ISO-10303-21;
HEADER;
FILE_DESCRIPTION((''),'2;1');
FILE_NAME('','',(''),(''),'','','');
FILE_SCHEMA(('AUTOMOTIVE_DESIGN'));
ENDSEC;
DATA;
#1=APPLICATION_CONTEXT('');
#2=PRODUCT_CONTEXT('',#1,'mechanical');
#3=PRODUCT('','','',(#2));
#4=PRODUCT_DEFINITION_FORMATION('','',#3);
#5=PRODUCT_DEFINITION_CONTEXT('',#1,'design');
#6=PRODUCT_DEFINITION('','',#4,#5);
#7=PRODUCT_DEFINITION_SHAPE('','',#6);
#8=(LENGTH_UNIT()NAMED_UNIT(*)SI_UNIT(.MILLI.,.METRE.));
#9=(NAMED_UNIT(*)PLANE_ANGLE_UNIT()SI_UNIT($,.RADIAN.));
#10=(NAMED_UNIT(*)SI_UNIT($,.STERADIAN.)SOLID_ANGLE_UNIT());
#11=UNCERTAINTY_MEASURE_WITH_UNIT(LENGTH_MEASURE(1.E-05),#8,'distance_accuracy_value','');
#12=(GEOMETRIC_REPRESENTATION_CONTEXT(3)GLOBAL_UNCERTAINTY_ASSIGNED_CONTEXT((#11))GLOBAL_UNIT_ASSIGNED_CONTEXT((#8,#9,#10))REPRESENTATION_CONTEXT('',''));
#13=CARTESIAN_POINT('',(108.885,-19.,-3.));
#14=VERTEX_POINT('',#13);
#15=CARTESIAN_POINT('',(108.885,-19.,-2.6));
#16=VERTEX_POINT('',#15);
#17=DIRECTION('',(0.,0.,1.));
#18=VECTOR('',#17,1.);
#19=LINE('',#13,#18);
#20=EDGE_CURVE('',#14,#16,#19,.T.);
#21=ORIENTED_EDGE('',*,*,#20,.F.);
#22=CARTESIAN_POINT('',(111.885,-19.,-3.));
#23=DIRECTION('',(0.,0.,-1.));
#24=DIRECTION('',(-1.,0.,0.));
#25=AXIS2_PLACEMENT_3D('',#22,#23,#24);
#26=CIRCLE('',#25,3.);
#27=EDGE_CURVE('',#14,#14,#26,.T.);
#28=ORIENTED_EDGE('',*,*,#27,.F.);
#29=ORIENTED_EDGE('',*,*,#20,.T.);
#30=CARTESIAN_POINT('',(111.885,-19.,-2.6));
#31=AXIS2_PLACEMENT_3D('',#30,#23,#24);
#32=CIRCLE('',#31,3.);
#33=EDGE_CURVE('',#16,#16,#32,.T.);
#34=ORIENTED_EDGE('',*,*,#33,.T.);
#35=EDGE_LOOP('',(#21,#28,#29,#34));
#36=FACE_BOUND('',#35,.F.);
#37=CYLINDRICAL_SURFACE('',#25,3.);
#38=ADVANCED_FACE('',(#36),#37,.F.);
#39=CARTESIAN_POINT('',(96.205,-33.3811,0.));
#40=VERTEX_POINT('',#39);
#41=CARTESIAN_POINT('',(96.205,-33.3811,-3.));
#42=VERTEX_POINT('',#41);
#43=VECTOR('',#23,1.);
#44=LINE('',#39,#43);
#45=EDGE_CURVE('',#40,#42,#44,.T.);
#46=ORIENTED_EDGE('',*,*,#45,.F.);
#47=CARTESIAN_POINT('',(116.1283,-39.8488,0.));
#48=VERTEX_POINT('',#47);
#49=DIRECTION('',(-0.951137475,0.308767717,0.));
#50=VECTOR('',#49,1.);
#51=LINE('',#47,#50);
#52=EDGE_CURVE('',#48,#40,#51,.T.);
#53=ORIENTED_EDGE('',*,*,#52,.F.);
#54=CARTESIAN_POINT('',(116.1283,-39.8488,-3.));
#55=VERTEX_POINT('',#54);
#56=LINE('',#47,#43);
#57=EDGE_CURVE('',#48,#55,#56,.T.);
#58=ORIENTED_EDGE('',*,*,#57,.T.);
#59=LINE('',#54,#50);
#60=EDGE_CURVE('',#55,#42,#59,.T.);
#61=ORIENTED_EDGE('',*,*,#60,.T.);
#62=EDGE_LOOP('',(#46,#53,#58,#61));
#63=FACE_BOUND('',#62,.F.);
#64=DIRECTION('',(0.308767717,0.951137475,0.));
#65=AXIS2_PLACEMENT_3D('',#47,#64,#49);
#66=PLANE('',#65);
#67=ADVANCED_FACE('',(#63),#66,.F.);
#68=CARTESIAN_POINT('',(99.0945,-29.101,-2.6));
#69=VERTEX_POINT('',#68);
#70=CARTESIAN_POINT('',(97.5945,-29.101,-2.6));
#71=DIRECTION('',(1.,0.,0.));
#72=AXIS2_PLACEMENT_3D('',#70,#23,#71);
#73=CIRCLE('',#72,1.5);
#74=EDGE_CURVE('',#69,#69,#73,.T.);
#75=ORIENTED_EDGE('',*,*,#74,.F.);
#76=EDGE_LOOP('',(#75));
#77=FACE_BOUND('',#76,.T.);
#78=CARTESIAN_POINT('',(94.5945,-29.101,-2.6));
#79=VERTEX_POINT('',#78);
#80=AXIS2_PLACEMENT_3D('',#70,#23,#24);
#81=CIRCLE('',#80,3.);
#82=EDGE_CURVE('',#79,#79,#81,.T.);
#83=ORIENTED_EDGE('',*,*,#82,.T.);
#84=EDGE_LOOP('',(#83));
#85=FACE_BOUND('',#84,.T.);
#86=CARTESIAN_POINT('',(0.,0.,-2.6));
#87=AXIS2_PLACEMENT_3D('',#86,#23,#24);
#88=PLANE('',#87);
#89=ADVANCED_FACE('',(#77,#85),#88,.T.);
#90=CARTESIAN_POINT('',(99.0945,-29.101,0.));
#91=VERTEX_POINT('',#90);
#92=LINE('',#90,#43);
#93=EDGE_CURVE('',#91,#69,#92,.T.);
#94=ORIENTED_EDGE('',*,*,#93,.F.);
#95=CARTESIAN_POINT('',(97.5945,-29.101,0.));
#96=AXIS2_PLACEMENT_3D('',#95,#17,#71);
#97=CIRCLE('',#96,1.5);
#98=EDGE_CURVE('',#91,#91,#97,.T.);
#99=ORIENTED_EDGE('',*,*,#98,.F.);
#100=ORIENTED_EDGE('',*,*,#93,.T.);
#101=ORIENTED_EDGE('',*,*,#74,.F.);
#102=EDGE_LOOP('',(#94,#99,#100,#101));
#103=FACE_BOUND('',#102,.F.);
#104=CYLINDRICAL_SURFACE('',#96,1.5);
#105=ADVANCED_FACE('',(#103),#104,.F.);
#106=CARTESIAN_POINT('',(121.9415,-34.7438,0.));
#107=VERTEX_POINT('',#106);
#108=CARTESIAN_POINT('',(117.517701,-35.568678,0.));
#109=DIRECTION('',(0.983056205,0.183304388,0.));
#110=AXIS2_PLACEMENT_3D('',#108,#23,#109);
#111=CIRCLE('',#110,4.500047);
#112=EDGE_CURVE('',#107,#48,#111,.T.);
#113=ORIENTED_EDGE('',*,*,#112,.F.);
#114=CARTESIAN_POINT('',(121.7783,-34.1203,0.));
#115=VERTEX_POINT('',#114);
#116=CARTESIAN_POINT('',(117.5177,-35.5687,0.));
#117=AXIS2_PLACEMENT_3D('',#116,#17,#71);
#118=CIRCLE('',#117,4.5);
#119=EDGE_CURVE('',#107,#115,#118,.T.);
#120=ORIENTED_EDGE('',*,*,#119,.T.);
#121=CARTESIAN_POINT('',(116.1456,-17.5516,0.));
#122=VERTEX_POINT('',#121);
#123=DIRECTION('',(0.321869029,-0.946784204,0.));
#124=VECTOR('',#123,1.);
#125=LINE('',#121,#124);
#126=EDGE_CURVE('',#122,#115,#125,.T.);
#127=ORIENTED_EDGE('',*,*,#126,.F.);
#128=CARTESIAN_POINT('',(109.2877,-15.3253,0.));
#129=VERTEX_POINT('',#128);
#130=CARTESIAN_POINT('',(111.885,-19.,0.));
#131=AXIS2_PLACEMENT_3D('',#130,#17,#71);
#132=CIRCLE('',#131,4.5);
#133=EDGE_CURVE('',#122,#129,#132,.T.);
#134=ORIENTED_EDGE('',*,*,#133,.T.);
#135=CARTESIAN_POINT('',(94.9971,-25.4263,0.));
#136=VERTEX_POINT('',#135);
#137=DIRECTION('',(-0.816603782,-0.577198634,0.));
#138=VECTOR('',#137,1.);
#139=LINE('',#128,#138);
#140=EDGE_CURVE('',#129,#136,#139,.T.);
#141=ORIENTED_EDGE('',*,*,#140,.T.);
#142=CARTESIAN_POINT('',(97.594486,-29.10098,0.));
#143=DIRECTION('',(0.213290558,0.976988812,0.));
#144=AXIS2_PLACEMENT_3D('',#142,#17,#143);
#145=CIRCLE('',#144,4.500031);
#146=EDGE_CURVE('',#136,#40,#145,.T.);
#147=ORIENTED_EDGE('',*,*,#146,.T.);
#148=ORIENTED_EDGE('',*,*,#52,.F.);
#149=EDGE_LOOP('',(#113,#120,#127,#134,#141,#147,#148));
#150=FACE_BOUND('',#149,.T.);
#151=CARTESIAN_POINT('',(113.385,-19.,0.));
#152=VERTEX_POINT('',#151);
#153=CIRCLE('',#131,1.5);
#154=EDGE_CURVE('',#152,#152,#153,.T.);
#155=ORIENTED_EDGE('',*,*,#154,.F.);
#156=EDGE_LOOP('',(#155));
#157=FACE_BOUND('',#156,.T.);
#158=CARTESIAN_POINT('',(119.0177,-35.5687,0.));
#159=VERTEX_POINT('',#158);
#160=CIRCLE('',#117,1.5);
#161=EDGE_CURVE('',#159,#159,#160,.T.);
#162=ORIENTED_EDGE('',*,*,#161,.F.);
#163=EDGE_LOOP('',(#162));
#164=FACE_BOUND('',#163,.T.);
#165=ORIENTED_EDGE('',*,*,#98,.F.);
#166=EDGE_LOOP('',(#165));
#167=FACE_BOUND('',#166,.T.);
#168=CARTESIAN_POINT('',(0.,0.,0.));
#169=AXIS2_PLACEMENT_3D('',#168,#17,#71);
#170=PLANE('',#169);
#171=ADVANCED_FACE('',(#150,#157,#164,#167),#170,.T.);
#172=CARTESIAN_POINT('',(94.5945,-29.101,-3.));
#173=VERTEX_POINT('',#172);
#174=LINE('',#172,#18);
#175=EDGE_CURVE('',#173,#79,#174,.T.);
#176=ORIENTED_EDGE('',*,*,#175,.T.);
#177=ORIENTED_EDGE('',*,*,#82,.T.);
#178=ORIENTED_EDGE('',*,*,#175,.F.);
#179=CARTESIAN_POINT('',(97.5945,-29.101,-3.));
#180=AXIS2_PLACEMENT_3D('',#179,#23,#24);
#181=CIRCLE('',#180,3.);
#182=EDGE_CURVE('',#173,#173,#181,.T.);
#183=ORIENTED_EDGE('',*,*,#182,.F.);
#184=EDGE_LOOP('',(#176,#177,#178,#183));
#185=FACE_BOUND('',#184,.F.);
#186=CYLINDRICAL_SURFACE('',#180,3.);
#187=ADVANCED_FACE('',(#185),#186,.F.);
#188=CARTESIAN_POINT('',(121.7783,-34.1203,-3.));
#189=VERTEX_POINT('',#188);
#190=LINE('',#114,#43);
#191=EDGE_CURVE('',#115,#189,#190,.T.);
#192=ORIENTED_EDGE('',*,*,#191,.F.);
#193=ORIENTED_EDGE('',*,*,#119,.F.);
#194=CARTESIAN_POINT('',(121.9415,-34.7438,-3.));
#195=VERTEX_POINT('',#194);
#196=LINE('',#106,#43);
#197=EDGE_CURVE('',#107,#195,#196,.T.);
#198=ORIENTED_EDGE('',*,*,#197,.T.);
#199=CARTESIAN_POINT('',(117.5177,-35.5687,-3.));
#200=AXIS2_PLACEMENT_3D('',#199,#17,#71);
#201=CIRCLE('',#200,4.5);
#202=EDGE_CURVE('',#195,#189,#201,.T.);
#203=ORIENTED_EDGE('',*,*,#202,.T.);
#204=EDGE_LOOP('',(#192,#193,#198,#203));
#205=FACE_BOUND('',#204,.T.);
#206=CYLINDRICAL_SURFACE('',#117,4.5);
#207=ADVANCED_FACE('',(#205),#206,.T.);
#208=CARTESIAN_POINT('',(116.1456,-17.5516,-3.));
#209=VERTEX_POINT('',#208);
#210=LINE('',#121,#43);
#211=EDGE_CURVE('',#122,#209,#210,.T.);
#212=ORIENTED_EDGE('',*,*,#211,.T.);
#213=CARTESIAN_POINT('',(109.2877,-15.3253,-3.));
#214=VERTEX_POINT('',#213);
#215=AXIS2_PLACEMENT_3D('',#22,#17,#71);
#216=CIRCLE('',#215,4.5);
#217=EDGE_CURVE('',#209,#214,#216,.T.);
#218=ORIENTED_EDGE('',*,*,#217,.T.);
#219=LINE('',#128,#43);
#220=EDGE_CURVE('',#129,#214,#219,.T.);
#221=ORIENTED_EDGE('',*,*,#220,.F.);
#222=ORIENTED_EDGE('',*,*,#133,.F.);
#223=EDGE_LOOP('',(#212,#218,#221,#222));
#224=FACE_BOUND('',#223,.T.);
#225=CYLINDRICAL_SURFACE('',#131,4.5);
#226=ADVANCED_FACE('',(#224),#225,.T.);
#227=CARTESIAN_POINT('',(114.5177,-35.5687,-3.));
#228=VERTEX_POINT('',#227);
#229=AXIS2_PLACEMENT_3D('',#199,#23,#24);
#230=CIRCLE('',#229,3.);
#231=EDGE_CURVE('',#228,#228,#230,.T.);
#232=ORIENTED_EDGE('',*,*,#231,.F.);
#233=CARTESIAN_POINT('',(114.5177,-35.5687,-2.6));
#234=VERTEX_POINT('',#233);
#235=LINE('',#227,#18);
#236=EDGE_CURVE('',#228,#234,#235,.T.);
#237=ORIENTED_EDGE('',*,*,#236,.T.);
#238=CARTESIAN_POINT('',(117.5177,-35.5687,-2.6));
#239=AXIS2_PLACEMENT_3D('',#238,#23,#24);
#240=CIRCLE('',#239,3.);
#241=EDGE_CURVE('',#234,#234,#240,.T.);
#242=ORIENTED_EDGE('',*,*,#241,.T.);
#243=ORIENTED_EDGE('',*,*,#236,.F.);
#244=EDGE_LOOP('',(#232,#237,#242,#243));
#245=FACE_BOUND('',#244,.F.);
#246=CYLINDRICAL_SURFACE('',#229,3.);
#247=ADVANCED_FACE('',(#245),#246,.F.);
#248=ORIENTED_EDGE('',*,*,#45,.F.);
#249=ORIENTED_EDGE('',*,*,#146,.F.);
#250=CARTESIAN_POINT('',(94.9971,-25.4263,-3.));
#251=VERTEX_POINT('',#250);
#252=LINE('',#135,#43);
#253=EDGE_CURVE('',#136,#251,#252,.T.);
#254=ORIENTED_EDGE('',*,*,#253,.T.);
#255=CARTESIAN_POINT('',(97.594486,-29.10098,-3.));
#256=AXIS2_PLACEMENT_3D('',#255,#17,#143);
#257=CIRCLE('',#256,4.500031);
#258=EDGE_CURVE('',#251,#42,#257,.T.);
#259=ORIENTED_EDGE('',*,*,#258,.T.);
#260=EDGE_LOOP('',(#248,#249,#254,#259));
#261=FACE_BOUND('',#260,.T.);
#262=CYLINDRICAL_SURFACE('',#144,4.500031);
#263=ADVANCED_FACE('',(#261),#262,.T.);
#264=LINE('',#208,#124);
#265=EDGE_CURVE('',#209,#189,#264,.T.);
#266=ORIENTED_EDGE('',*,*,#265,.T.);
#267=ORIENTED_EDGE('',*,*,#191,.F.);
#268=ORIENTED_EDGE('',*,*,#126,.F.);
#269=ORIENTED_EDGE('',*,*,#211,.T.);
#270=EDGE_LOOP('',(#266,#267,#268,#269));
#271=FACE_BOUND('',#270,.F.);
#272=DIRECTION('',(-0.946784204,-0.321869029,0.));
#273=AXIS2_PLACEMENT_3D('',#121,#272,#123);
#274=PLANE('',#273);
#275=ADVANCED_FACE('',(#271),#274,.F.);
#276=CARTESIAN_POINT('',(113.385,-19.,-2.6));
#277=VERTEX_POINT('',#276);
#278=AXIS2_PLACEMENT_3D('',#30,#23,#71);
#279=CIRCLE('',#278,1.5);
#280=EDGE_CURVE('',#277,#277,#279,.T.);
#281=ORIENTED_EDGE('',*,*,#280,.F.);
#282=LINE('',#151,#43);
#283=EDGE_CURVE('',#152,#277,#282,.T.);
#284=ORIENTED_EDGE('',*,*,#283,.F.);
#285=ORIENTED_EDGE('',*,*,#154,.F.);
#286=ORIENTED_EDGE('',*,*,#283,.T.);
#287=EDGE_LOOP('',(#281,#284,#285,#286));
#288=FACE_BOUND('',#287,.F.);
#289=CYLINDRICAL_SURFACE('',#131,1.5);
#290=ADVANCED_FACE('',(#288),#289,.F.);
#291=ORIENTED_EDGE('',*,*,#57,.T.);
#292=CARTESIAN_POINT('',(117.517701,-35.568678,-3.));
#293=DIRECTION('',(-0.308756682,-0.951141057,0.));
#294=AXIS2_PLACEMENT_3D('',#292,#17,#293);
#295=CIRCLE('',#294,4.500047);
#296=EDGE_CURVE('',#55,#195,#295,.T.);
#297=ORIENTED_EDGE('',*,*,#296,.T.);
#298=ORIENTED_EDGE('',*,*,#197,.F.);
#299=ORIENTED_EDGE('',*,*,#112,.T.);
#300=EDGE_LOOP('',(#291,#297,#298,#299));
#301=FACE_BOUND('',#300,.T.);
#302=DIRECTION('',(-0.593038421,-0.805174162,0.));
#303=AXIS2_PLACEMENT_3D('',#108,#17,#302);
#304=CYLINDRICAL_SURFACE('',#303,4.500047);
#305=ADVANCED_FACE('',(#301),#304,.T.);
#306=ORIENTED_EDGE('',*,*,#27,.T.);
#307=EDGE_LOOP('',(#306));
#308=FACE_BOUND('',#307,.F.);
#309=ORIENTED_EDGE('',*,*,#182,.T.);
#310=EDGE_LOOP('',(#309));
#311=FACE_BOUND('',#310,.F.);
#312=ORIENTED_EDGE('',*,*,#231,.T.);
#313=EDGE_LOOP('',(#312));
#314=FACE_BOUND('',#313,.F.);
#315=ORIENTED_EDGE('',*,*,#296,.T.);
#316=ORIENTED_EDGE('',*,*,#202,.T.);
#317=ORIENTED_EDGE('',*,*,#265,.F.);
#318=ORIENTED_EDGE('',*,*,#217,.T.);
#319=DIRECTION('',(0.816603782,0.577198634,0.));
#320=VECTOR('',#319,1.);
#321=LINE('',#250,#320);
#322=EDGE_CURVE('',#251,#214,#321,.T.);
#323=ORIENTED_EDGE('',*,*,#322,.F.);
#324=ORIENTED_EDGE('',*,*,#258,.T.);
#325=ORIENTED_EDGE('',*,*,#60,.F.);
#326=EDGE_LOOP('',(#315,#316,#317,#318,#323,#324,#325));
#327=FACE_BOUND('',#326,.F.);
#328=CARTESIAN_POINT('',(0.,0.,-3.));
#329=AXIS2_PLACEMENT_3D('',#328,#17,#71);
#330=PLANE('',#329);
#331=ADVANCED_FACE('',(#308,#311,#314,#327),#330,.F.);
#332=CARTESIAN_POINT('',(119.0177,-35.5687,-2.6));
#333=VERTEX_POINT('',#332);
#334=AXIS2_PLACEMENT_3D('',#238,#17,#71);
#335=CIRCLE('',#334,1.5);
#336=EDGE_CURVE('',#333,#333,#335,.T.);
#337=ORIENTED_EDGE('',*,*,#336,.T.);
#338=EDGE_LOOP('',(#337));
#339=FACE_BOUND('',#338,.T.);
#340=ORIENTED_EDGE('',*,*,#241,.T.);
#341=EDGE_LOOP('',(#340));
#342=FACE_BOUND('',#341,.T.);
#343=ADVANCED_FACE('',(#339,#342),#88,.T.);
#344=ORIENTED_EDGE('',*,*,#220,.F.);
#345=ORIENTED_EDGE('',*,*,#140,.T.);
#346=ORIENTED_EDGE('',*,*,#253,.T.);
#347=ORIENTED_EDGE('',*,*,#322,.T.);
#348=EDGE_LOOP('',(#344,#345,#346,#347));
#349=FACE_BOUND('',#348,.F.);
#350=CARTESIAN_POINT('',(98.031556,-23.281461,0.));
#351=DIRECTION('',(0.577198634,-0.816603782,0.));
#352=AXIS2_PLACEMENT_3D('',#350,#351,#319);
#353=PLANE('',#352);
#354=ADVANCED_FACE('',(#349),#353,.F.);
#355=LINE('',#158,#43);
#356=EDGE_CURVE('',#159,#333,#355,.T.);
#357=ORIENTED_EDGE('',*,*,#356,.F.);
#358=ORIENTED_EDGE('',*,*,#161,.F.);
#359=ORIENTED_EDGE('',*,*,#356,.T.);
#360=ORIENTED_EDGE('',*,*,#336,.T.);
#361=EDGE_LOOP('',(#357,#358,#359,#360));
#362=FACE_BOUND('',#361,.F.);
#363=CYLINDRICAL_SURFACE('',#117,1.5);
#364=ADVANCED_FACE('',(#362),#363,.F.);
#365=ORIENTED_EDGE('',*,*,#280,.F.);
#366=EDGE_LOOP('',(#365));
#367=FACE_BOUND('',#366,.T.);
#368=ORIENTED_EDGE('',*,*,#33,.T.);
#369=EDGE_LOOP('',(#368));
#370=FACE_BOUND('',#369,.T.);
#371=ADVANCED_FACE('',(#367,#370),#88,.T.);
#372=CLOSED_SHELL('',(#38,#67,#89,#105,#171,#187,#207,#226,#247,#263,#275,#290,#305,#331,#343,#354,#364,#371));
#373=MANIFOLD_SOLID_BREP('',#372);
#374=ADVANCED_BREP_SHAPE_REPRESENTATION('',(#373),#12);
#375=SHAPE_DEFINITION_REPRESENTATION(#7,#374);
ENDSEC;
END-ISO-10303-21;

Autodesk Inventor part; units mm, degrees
ref_plane "YZ Plane" through (0, 0, 0) normal (1, 0, 0) x (0, 1, 0)
ref_plane "XZ Plane" through (0, 0, 0) normal (0, 1, 0) x (-1, 0, 0)
ref_plane "XY Plane" through (0, 0, 0) normal (0, 0, 1) x (1, 0, 0)
sketch "スケッチ1" plane through (0, 0, 0) normal (0, 0, 1) x (1, 0, 0)
  circle A0 centre (117.5177, -35.5687) radius 1.5
  circle A1 centre (95.4507, -12.9865) radius 1.5
  circle A2 centre (97.5945, -29.101) radius 1.5
  circle A3 centre (111.885, -19) radius 1.5
  line L0 (116.6369, -13.86) -> (104.8897, -3)
  line L1 (104.8897, -3) -> (101.885, -3)
  arc A4 (99.885, -3) -> (101.885, -3) centre (100.885, -3) ccw
  line L2 (99.885, -3) -> (99.885, 0)
  line L3 (99.885, 0) -> (84.885, 0)
  line L4 (84.885, 0) -> (84.885, -3)
  arc A5 (82.885, -3) -> (84.885, -3) centre (83.885, -3) ccw
  line L5 (82.885, -3) -> (81.4397, -3)
  arc A6 (79.4397, -3) -> (81.4397, -3) centre (80.4397, -3) ccw
  line L6 (79.4397, -3) -> (79.4397, 0)
  line L7 (79.4397, 0) -> (64.4397, 0)
  line L8 (64.4397, 0) -> (64.4397, -3)
  arc A7 (62.4397, -3) -> (64.4397, -3) centre (63.4397, -3) ccw
  line L9 (62.4397, -3) -> (59.4397, -3)
  line L10 (59.4397, -3) -> (59.4397, -6)
  line L11 (59.4397, -6) -> (65.1115, -8.2188)
  arc A8 (65.1115, -8.2188) -> (69.3788, -9.8882) centre (68.4397, -6) ccw
  line L12 (69.3788, -9.8882) -> (97.5091, -20.8927)
  arc A9 (97.5091, -20.8927) -> (98.5543, -24.7045) centre (111.885, -19) ccw
  arc A10 (98.5543, -24.7045) -> (97.6262, -33.6009) centre (97.5945, -29.101) ccw
  line L13 (97.6262, -33.6009) -> (107.1669, -33.5336)
  line L14 (107.1669, -33.5336) -> (114.849, -39.192)
  arc A11 (114.849, -39.192) -> (121.9415, -34.7438) centre (117.5177, -35.5687) ccw
  line L15 (121.9415, -34.7438) -> (118.7664, -17.7168)
  arc A12 (118.7664, -17.7168) -> (116.6369, -13.86) centre (111.885, -19) ccw
  line L16 (69.4397, -3) -> (74.4397, -3)
  arc A13 (76.4397, -3) -> (74.4397, -3) centre (75.4397, -3) ccw
  line L17 (76.4397, -3) -> (76.4397, -6)
  arc A14 (74.4397, -6) -> (76.4397, -6) centre (75.4397, -6) ccw
  line L18 (74.4397, -6) -> (69.4397, -6)
  arc A15 (67.4397, -6) -> (69.4397, -6) centre (68.4397, -6) ccw
  line L19 (67.4397, -6) -> (67.4397, -3)
  arc A16 (69.4397, -3) -> (67.4397, -3) centre (68.4397, -3) ccw
  arc A17 (94.885, -6) -> (96.885, -6) centre (95.885, -6) ccw
  line L20 (94.885, -6) -> (89.885, -6)
  arc A18 (87.885, -6) -> (89.885, -6) centre (88.885, -6) ccw
  line L21 (87.885, -6) -> (87.885, -3)
  arc A19 (89.885, -3) -> (87.885, -3) centre (88.885, -3) ccw
  line L22 (89.885, -3) -> (94.885, -3)
  arc A20 (96.885, -3) -> (94.885, -3) centre (95.885, -3) ccw
  line L23 (96.885, -3) -> (96.885, -6)
  circle A21 centre (97.5945, -29.101) radius 4.5
  circle A22 centre (111.885, -19) radius 4.5
  circle A23 centre (117.5177, -35.5687) radius 4.5
  line L24 (94.9971, -25.4263) -> (109.2877, -15.3253)
  line L25 (116.1456, -17.5516) -> (121.7783, -34.1203)
  line L26 (116.1283, -39.8488) -> (96.205, -33.3811)
  point P0 (0, 0)
  point P1 (0, 0)
  dimension "d0" = 9
extrude "押し出し1" add sketch "スケッチ1" against normal blind 3 contours A11 A23 | A23 L14 L13 A21 A9 L24 A22 L25 | L26 A10 L13 L14 A11 | A22 | A10 A21 | L24 A9 A10
sketch "スケッチ2" plane through (0, 0, -3) normal (0, 0, -1) x (-1, 0, 0)
  line L0 (-94.9971, -25.4263) -> (-109.2877, -15.3253) projected
  arc A0 (-109.2877, -15.3253) -> (-116.1456, -17.5516) centre (-111.885, -19) ccw projected
  line L1 (-116.1456, -17.5516) -> (-121.7783, -34.1203) projected
  arc A1 (-121.7783, -34.1203) -> (-116.1283, -39.8488) centre (-117.5177, -35.5687) ccw projected
  line L2 (-116.1283, -39.8488) -> (-96.205, -33.3811) projected
  arc A2 (-96.205, -33.3811) -> (-94.9971, -25.4263) centre (-97.5945, -29.101) ccw projected
  circle A3 centre (-111.885, -19) radius 1.5 projected
  circle A4 centre (-97.5945, -29.101) radius 1.5 projected
  circle A5 centre (-117.5177, -35.5687) radius 1.5 projected
  circle A6 centre (-97.5945, -29.101) radius 1.5 projected
  circle A7 centre (-97.5945, -29.101) radius 3
  circle A8 centre (-111.885, -19) radius 1.5 projected
  circle A9 centre (-111.885, -19) radius 3
  circle A10 centre (-117.5177, -35.5687) radius 1.5 projected
  circle A11 centre (-117.5177, -35.5687) radius 3
  point P0 (0, 0)
  dimension "d3" = 6
  dimension "d4" = 6
  dimension "d6" = 6
extrude "押し出し2" cut sketch "スケッチ2" against normal blind 0.4 contours A5 | A7 | A9 | A11
properties part number "後ろウィング固定フレーム押さえ"
